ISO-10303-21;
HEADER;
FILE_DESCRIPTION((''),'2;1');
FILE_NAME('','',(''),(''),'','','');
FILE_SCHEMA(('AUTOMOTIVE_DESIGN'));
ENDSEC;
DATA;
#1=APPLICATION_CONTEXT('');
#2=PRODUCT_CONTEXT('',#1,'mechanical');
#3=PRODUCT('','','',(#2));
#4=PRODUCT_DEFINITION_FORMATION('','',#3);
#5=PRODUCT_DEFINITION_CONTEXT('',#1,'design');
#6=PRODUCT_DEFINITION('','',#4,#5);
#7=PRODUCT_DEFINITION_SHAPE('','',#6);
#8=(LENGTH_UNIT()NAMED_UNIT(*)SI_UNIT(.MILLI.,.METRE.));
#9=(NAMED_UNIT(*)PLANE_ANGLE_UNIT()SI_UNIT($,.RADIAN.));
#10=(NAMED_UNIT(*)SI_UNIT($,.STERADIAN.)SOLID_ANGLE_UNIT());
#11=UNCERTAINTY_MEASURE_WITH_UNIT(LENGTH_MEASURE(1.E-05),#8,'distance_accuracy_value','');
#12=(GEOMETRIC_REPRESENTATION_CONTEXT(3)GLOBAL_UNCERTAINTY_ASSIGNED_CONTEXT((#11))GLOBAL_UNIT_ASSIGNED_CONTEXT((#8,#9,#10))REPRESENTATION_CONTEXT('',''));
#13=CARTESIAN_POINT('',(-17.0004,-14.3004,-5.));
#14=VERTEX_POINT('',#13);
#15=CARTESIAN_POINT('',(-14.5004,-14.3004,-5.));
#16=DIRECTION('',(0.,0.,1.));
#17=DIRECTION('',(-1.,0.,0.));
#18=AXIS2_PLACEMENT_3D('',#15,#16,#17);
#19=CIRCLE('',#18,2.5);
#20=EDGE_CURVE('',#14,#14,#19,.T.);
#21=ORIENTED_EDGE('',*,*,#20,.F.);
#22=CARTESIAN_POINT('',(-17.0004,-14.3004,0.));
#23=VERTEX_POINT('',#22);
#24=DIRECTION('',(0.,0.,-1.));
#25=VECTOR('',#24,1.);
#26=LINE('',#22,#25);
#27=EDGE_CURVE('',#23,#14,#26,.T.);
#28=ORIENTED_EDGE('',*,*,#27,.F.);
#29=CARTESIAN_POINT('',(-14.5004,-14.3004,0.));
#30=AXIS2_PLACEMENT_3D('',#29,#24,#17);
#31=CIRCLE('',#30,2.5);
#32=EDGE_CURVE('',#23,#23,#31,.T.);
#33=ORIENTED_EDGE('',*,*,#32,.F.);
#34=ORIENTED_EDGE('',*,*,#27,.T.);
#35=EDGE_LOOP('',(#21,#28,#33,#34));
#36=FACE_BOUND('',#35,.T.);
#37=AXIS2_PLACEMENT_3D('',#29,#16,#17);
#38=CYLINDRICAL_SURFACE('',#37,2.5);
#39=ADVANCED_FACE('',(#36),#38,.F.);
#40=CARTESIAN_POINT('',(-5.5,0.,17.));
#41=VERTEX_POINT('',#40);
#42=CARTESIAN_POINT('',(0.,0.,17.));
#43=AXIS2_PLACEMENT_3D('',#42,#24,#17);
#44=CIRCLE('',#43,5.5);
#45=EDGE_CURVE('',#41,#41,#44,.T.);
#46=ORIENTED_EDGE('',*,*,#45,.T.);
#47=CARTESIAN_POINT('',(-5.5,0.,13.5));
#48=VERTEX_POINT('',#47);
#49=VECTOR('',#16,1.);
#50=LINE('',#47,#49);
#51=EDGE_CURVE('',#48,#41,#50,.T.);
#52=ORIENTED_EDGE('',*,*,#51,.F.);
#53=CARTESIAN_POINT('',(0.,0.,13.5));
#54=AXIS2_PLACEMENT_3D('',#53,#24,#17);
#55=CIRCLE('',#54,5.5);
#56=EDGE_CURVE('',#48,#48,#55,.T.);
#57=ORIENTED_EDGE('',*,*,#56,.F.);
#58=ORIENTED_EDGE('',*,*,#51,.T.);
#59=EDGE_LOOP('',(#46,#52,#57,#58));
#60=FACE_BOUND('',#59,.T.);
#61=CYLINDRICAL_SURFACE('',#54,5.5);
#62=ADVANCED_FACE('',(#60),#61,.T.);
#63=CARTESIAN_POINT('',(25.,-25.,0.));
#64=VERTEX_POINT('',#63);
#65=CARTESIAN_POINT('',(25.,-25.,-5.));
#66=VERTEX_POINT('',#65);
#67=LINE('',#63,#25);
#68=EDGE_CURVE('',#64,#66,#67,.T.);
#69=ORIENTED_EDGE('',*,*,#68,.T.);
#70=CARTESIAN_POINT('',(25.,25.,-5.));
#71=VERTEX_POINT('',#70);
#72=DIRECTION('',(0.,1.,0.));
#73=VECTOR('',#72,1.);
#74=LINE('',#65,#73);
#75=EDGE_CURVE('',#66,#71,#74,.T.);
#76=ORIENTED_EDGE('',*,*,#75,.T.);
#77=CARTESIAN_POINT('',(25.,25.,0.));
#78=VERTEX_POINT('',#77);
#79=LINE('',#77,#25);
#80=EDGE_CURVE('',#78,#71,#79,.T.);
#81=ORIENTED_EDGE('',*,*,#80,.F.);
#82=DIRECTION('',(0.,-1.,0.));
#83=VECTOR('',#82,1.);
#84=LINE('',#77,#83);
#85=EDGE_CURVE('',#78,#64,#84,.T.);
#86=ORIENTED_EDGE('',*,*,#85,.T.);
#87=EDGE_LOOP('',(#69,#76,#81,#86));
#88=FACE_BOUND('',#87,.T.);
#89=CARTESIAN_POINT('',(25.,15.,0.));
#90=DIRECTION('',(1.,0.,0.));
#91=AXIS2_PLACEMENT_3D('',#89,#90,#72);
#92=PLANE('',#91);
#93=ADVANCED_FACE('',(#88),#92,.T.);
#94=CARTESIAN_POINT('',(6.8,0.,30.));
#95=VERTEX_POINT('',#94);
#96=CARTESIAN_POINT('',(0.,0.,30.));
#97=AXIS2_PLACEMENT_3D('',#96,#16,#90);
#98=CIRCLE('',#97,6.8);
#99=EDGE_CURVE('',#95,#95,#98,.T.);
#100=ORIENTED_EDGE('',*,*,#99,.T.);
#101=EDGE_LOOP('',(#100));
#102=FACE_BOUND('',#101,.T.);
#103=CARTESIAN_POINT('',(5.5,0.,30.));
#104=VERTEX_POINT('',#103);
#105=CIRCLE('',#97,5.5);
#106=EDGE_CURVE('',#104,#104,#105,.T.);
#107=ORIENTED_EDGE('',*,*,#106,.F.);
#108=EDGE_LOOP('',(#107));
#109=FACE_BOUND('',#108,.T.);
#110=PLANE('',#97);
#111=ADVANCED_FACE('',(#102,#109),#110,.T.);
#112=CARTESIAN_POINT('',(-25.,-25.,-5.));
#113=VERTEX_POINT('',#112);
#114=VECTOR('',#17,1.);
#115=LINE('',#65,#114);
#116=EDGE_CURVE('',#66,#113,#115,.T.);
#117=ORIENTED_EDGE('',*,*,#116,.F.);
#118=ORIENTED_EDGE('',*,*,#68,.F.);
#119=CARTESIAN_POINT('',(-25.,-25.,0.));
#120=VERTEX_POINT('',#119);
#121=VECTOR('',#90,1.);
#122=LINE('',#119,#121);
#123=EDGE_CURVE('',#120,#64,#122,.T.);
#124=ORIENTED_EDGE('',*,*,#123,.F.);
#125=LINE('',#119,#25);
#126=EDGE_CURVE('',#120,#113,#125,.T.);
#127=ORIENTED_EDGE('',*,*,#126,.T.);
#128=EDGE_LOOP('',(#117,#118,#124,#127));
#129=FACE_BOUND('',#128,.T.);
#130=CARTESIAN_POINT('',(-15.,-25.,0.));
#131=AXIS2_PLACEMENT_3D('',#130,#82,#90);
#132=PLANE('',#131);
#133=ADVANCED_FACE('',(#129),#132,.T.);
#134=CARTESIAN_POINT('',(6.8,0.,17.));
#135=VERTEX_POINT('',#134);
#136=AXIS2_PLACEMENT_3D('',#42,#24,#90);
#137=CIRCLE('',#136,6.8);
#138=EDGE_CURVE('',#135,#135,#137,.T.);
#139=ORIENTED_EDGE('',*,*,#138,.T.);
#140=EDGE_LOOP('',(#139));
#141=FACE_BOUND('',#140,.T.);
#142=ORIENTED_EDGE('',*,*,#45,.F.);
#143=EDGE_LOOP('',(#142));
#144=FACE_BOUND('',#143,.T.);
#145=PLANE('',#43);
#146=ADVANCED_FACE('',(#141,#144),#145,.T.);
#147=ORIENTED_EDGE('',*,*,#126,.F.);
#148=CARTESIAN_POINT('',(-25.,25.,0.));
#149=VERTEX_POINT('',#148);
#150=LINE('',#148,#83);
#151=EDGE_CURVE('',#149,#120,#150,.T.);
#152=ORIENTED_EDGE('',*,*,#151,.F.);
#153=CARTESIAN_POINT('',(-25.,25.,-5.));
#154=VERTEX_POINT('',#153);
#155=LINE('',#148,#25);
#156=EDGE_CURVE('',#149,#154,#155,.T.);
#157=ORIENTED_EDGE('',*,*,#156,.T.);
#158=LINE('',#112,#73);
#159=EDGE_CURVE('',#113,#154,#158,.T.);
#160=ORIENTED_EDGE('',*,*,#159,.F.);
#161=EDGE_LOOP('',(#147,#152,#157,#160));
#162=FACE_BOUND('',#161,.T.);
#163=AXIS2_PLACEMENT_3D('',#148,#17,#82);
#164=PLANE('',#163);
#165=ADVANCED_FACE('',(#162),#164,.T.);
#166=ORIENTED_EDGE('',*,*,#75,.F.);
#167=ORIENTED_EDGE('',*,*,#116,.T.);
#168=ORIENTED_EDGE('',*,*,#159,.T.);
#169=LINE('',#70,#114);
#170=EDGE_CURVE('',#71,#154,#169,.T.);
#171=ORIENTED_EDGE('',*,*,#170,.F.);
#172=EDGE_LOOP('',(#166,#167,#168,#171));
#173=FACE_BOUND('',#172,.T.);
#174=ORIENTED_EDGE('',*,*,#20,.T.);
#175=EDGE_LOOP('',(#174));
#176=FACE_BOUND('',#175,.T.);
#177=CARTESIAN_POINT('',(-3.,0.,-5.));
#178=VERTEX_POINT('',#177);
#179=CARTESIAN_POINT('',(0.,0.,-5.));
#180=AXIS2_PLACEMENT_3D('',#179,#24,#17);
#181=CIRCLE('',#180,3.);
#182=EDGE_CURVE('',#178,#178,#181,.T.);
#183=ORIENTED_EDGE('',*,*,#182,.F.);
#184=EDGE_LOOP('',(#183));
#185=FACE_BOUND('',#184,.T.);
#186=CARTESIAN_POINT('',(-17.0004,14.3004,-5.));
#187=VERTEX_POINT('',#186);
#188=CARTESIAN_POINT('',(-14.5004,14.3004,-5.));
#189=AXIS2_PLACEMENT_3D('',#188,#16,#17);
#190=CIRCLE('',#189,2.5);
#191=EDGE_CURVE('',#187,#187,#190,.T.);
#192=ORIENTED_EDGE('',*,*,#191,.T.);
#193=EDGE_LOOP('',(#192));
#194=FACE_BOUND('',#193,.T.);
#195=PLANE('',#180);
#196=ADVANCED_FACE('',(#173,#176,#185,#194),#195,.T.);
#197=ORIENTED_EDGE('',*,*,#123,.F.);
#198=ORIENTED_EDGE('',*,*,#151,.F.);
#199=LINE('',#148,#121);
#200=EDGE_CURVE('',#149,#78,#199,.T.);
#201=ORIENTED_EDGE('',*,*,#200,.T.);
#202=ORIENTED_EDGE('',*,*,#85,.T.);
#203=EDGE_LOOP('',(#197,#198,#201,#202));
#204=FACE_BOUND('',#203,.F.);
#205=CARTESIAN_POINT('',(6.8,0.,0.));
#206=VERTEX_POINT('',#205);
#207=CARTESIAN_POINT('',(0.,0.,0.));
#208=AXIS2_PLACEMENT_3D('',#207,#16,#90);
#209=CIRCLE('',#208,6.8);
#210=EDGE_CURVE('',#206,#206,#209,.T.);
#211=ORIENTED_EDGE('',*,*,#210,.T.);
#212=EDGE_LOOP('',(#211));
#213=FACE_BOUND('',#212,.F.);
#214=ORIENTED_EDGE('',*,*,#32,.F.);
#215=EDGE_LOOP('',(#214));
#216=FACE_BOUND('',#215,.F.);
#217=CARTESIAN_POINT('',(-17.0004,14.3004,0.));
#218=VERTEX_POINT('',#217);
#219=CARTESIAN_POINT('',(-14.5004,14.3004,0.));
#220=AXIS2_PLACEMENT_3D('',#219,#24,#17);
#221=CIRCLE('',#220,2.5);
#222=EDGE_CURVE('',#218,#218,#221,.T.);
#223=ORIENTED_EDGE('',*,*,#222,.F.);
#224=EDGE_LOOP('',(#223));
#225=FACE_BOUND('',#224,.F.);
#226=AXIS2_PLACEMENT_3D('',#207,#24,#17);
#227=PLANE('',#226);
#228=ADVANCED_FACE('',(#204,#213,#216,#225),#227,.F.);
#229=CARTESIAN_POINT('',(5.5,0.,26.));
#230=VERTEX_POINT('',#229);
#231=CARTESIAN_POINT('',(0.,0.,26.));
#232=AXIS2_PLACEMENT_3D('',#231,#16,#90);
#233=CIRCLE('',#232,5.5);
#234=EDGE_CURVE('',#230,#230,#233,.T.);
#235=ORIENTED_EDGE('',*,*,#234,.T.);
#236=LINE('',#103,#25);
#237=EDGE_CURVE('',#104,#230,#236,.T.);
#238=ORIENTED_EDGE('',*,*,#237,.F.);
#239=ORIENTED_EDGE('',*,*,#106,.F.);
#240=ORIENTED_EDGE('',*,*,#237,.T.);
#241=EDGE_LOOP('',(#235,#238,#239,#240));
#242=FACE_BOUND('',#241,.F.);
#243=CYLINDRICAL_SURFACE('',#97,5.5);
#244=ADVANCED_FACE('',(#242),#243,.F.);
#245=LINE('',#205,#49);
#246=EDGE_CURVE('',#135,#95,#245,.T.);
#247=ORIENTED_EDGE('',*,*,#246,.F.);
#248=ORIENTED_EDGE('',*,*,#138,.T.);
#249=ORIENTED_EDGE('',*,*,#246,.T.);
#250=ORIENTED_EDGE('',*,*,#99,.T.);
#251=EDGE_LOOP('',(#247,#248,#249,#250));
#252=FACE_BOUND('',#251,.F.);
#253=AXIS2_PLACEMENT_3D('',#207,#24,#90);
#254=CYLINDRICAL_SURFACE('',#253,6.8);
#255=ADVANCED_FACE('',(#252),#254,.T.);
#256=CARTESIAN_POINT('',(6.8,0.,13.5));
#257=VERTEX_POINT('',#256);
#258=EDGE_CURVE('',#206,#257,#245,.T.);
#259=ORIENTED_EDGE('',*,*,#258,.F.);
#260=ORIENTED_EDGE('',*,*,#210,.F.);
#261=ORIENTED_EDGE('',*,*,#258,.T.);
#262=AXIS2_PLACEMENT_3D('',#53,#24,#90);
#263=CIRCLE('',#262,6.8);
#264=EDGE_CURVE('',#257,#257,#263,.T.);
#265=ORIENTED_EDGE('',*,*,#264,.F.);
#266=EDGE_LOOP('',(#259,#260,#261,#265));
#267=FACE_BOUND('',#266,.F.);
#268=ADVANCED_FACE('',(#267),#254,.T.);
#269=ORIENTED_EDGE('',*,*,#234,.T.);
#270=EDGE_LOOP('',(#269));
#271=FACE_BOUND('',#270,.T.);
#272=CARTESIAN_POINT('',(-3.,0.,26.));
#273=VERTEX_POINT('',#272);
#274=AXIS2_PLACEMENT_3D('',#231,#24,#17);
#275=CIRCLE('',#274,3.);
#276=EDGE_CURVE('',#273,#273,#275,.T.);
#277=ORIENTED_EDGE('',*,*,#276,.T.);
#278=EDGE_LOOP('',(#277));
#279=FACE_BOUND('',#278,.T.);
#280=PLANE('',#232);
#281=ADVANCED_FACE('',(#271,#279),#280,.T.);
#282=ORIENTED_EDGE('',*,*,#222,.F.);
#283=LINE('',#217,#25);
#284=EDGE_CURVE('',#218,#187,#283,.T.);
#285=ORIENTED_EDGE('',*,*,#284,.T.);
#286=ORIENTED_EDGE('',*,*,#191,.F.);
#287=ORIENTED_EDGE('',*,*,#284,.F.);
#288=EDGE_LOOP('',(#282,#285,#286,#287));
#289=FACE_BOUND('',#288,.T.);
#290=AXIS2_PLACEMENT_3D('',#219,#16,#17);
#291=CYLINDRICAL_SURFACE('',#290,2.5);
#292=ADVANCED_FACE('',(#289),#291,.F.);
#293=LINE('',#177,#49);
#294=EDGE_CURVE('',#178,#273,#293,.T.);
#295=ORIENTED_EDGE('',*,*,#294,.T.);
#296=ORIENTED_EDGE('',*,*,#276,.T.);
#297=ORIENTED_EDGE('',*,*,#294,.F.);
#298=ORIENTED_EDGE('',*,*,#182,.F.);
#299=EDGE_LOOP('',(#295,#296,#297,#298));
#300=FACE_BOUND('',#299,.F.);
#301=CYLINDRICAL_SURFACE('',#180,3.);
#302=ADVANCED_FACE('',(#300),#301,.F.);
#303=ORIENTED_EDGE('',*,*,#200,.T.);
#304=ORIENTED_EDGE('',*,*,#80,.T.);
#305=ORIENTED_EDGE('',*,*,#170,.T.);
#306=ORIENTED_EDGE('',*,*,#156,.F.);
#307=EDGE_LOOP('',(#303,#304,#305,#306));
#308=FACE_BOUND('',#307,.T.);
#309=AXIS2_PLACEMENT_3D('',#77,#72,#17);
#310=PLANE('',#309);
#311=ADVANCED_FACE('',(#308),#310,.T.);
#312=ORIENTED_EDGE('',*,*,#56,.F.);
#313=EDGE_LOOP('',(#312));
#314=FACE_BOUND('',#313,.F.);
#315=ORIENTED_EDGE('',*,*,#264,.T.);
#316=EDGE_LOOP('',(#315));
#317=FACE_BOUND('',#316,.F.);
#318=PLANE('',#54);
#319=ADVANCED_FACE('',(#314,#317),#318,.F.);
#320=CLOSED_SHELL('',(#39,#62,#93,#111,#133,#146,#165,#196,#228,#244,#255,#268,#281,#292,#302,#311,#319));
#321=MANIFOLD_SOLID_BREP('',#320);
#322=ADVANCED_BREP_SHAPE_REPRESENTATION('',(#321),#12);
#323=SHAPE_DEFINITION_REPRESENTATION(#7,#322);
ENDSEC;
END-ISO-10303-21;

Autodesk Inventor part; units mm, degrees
ref_plane "YZ Plane" through (0, 0, 0) normal (1, 0, 0) x (0, 1, 0)
ref_plane "XZ Plane" through (0, 0, 0) normal (0, 1, 0) x (-1, 0, 0)
sketch "Boceto1" plane through (0, 0, 0) normal (0, 0, 1) x (1, 0, 0)
  circle A0 centre (0, 0) radius 6.8
  dimension "d0" = 13.6
extrude "Extrusión1" add sketch "Boceto1" along normal blind 30
ref_plane "Plano de trabajo1" through (0, 0, 13.5) normal (0, 0, -1) x (-1, 0, 0)
sketch "Boceto2" plane through (0, 0, 13.5) normal (0, 0, -1) x (-1, 0, 0)
  circle A0 centre (0, 0) radius 5.5
  circle A1 centre (0, 0) radius 7
  dimension "d4" = 11
  dimension "d5" = 14
extrude "Extrusión2" cut sketch "Boceto2" against normal blind 3.5
sketch "Boceto3" plane through (0, 0, 0) normal (0, 0, -1) x (-1, 0, 0)
  line L0 (-25, 25) -> (25, 25)
  line L1 (25, 25) -> (25, -25)
  line L2 (25, -25) -> (-25, -25)
  line L3 (-25, -25) -> (-25, 25)
  line L4 (-25, 25) -> (25, -25) construction
  line L5 (25, 25) -> (-25, -25) construction
  line L6 (25, 25) -> (15, 25)
  line L7 (15, 25) -> (15, 16.75)
  line L8 (16.95, 14.8) -> (25, 14.8)
  line L9 (25, 14.8) -> (25, 25)
  line L10 (25, -25) -> (15, -25)
  line L11 (15, -25) -> (15, -16.75)
  line L12 (16.95, -14.8) -> (25, -14.8)
  line L13 (25, -14.8) -> (25, -25)
  line L14 (-25, 25) -> (-14.8, 25)
  line L15 (-14.8, 25) -> (-14.8, 16.95)
  line L16 (-16.75, 15) -> (-25, 15)
  line L17 (-25, 15) -> (-25, 25)
  line L18 (-25, -25) -> (-15, -25)
  line L19 (-15, -25) -> (-15, -16.9397)
  line L20 (-16.75, -15) -> (-25, -15)
  line L21 (-25, -15) -> (-25, -25)
  circle A0 centre (14.5004, 14.3004) radius 2.5
  circle A1 centre (14.5004, -14.3004) radius 2.5
  circle A2 centre (-14.8, 15) radius 1.95
  circle A3 centre (-14.8, -15) radius 1.95
  point P0 (0, 0)
  dimension "d8" = 50
  dimension "d9" = 50
  dimension "d18" = 5
  dimension "d19" = 5
  dimension "d20" = 3.9
  dimension "d21" = 3.9
  dimension "d24" = 8.25
  dimension "d25" = 8.05
  dimension "d26" = 8.25
  dimension "d27" = 8.0603
  dimension "d28" = 8.25
  dimension "d29" = 8.05
  dimension "d30" = 8.25
  dimension "d31" = 8.05
extrude "Extrusión3" add sketch "Boceto3" along normal blind 5 contours L0 L15 A2 L16 L3 | L0 L7 A0 L8 L1 L12 A1 L11 L2 L19 A3 L20 L3 L16 A2 L15 | L0 L1 L8 A0 L7 | L20 A3 L19 L2 L3 | L1 L2 L11 A1 L12
sketch "Boceto4" plane through (0, 0, 13.5) normal (0, 0, -1) x (-1, 0, 0)
  point P0 (0, 0)
sketch "Boceto5" plane through (0, 0, -5) normal (0, 0, -1) x (-1, 0, 0)
  circle A0 centre (0, 0) radius 5.5 projected
  circle A1 centre (0, 0) radius 3
  dimension "d32" = 6
extrude "Extrusión4" cut sketch "Boceto5" against normal blind 33 contours A1
sketch "Boceto6" plane through (0, 0, 30) normal (0, 0, 1) x (1, 0, 0)
  circle A0 centre (0, 0) radius 5.5
  dimension "d35" = 11
extrude "Extrusión5" cut sketch "Boceto6" against normal blind 4
sketch "Boceto7" plane through (0, 0, -5) normal (0, 0, -1) x (-1, 0, 0)
  circle A0 centre (-14.8, -15) radius 1.95 projected
  circle A1 centre (-14.8, 15) radius 1.95 projected
  point P0 (0, 0)
extrude "Extrusión6" add sketch "Boceto7" against normal up to surface (5 mm away)
properties part number "pieza_2_vinculacion"
